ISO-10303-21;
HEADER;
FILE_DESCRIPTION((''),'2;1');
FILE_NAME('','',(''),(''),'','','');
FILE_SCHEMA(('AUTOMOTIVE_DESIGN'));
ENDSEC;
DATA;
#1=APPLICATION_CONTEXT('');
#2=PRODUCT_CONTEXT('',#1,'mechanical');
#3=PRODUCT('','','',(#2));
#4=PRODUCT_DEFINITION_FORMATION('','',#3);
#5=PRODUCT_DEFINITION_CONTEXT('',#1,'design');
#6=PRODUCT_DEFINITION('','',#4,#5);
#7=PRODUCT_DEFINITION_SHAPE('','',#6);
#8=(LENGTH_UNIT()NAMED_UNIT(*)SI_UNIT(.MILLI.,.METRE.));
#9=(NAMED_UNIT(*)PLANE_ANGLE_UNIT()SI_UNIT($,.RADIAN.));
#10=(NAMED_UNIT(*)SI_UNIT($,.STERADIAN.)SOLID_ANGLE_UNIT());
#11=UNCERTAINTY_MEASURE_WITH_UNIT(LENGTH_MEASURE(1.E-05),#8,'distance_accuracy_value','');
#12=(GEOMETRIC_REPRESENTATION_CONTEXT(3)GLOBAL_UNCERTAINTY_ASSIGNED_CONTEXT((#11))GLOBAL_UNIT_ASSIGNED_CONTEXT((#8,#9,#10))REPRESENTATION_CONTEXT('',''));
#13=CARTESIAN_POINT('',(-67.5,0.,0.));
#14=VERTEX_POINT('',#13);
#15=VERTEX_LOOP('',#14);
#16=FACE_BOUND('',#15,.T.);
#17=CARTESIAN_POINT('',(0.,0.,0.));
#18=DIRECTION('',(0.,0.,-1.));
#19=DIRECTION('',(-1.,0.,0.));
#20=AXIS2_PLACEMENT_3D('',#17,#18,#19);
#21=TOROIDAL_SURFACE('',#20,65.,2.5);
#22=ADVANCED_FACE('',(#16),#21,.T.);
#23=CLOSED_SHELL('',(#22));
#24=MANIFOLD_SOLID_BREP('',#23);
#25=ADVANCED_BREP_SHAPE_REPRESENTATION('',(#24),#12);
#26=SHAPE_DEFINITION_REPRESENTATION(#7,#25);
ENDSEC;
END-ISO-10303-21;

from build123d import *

# Parameters (mm, degrees)
SKETCH_2_R = 2.5


with BuildPart() as part:
    # 扫描1: sweep along a path in 草图1
    with BuildLine(Plane.XY) as sweep_1_path:
        CenterArc((0, 0), 65, 0, 360)
    # 草图2 → 扫描1 (sweep)
    with BuildSketch(Plane(origin=(0, 0, 0), x_dir=(1, 0, 0), z_dir=(0, 1, 0))):
        with Locations((-65, 0)):
            Circle(SKETCH_2_R)
    sweep(path=sweep_1_path.line)


solid = part.part
